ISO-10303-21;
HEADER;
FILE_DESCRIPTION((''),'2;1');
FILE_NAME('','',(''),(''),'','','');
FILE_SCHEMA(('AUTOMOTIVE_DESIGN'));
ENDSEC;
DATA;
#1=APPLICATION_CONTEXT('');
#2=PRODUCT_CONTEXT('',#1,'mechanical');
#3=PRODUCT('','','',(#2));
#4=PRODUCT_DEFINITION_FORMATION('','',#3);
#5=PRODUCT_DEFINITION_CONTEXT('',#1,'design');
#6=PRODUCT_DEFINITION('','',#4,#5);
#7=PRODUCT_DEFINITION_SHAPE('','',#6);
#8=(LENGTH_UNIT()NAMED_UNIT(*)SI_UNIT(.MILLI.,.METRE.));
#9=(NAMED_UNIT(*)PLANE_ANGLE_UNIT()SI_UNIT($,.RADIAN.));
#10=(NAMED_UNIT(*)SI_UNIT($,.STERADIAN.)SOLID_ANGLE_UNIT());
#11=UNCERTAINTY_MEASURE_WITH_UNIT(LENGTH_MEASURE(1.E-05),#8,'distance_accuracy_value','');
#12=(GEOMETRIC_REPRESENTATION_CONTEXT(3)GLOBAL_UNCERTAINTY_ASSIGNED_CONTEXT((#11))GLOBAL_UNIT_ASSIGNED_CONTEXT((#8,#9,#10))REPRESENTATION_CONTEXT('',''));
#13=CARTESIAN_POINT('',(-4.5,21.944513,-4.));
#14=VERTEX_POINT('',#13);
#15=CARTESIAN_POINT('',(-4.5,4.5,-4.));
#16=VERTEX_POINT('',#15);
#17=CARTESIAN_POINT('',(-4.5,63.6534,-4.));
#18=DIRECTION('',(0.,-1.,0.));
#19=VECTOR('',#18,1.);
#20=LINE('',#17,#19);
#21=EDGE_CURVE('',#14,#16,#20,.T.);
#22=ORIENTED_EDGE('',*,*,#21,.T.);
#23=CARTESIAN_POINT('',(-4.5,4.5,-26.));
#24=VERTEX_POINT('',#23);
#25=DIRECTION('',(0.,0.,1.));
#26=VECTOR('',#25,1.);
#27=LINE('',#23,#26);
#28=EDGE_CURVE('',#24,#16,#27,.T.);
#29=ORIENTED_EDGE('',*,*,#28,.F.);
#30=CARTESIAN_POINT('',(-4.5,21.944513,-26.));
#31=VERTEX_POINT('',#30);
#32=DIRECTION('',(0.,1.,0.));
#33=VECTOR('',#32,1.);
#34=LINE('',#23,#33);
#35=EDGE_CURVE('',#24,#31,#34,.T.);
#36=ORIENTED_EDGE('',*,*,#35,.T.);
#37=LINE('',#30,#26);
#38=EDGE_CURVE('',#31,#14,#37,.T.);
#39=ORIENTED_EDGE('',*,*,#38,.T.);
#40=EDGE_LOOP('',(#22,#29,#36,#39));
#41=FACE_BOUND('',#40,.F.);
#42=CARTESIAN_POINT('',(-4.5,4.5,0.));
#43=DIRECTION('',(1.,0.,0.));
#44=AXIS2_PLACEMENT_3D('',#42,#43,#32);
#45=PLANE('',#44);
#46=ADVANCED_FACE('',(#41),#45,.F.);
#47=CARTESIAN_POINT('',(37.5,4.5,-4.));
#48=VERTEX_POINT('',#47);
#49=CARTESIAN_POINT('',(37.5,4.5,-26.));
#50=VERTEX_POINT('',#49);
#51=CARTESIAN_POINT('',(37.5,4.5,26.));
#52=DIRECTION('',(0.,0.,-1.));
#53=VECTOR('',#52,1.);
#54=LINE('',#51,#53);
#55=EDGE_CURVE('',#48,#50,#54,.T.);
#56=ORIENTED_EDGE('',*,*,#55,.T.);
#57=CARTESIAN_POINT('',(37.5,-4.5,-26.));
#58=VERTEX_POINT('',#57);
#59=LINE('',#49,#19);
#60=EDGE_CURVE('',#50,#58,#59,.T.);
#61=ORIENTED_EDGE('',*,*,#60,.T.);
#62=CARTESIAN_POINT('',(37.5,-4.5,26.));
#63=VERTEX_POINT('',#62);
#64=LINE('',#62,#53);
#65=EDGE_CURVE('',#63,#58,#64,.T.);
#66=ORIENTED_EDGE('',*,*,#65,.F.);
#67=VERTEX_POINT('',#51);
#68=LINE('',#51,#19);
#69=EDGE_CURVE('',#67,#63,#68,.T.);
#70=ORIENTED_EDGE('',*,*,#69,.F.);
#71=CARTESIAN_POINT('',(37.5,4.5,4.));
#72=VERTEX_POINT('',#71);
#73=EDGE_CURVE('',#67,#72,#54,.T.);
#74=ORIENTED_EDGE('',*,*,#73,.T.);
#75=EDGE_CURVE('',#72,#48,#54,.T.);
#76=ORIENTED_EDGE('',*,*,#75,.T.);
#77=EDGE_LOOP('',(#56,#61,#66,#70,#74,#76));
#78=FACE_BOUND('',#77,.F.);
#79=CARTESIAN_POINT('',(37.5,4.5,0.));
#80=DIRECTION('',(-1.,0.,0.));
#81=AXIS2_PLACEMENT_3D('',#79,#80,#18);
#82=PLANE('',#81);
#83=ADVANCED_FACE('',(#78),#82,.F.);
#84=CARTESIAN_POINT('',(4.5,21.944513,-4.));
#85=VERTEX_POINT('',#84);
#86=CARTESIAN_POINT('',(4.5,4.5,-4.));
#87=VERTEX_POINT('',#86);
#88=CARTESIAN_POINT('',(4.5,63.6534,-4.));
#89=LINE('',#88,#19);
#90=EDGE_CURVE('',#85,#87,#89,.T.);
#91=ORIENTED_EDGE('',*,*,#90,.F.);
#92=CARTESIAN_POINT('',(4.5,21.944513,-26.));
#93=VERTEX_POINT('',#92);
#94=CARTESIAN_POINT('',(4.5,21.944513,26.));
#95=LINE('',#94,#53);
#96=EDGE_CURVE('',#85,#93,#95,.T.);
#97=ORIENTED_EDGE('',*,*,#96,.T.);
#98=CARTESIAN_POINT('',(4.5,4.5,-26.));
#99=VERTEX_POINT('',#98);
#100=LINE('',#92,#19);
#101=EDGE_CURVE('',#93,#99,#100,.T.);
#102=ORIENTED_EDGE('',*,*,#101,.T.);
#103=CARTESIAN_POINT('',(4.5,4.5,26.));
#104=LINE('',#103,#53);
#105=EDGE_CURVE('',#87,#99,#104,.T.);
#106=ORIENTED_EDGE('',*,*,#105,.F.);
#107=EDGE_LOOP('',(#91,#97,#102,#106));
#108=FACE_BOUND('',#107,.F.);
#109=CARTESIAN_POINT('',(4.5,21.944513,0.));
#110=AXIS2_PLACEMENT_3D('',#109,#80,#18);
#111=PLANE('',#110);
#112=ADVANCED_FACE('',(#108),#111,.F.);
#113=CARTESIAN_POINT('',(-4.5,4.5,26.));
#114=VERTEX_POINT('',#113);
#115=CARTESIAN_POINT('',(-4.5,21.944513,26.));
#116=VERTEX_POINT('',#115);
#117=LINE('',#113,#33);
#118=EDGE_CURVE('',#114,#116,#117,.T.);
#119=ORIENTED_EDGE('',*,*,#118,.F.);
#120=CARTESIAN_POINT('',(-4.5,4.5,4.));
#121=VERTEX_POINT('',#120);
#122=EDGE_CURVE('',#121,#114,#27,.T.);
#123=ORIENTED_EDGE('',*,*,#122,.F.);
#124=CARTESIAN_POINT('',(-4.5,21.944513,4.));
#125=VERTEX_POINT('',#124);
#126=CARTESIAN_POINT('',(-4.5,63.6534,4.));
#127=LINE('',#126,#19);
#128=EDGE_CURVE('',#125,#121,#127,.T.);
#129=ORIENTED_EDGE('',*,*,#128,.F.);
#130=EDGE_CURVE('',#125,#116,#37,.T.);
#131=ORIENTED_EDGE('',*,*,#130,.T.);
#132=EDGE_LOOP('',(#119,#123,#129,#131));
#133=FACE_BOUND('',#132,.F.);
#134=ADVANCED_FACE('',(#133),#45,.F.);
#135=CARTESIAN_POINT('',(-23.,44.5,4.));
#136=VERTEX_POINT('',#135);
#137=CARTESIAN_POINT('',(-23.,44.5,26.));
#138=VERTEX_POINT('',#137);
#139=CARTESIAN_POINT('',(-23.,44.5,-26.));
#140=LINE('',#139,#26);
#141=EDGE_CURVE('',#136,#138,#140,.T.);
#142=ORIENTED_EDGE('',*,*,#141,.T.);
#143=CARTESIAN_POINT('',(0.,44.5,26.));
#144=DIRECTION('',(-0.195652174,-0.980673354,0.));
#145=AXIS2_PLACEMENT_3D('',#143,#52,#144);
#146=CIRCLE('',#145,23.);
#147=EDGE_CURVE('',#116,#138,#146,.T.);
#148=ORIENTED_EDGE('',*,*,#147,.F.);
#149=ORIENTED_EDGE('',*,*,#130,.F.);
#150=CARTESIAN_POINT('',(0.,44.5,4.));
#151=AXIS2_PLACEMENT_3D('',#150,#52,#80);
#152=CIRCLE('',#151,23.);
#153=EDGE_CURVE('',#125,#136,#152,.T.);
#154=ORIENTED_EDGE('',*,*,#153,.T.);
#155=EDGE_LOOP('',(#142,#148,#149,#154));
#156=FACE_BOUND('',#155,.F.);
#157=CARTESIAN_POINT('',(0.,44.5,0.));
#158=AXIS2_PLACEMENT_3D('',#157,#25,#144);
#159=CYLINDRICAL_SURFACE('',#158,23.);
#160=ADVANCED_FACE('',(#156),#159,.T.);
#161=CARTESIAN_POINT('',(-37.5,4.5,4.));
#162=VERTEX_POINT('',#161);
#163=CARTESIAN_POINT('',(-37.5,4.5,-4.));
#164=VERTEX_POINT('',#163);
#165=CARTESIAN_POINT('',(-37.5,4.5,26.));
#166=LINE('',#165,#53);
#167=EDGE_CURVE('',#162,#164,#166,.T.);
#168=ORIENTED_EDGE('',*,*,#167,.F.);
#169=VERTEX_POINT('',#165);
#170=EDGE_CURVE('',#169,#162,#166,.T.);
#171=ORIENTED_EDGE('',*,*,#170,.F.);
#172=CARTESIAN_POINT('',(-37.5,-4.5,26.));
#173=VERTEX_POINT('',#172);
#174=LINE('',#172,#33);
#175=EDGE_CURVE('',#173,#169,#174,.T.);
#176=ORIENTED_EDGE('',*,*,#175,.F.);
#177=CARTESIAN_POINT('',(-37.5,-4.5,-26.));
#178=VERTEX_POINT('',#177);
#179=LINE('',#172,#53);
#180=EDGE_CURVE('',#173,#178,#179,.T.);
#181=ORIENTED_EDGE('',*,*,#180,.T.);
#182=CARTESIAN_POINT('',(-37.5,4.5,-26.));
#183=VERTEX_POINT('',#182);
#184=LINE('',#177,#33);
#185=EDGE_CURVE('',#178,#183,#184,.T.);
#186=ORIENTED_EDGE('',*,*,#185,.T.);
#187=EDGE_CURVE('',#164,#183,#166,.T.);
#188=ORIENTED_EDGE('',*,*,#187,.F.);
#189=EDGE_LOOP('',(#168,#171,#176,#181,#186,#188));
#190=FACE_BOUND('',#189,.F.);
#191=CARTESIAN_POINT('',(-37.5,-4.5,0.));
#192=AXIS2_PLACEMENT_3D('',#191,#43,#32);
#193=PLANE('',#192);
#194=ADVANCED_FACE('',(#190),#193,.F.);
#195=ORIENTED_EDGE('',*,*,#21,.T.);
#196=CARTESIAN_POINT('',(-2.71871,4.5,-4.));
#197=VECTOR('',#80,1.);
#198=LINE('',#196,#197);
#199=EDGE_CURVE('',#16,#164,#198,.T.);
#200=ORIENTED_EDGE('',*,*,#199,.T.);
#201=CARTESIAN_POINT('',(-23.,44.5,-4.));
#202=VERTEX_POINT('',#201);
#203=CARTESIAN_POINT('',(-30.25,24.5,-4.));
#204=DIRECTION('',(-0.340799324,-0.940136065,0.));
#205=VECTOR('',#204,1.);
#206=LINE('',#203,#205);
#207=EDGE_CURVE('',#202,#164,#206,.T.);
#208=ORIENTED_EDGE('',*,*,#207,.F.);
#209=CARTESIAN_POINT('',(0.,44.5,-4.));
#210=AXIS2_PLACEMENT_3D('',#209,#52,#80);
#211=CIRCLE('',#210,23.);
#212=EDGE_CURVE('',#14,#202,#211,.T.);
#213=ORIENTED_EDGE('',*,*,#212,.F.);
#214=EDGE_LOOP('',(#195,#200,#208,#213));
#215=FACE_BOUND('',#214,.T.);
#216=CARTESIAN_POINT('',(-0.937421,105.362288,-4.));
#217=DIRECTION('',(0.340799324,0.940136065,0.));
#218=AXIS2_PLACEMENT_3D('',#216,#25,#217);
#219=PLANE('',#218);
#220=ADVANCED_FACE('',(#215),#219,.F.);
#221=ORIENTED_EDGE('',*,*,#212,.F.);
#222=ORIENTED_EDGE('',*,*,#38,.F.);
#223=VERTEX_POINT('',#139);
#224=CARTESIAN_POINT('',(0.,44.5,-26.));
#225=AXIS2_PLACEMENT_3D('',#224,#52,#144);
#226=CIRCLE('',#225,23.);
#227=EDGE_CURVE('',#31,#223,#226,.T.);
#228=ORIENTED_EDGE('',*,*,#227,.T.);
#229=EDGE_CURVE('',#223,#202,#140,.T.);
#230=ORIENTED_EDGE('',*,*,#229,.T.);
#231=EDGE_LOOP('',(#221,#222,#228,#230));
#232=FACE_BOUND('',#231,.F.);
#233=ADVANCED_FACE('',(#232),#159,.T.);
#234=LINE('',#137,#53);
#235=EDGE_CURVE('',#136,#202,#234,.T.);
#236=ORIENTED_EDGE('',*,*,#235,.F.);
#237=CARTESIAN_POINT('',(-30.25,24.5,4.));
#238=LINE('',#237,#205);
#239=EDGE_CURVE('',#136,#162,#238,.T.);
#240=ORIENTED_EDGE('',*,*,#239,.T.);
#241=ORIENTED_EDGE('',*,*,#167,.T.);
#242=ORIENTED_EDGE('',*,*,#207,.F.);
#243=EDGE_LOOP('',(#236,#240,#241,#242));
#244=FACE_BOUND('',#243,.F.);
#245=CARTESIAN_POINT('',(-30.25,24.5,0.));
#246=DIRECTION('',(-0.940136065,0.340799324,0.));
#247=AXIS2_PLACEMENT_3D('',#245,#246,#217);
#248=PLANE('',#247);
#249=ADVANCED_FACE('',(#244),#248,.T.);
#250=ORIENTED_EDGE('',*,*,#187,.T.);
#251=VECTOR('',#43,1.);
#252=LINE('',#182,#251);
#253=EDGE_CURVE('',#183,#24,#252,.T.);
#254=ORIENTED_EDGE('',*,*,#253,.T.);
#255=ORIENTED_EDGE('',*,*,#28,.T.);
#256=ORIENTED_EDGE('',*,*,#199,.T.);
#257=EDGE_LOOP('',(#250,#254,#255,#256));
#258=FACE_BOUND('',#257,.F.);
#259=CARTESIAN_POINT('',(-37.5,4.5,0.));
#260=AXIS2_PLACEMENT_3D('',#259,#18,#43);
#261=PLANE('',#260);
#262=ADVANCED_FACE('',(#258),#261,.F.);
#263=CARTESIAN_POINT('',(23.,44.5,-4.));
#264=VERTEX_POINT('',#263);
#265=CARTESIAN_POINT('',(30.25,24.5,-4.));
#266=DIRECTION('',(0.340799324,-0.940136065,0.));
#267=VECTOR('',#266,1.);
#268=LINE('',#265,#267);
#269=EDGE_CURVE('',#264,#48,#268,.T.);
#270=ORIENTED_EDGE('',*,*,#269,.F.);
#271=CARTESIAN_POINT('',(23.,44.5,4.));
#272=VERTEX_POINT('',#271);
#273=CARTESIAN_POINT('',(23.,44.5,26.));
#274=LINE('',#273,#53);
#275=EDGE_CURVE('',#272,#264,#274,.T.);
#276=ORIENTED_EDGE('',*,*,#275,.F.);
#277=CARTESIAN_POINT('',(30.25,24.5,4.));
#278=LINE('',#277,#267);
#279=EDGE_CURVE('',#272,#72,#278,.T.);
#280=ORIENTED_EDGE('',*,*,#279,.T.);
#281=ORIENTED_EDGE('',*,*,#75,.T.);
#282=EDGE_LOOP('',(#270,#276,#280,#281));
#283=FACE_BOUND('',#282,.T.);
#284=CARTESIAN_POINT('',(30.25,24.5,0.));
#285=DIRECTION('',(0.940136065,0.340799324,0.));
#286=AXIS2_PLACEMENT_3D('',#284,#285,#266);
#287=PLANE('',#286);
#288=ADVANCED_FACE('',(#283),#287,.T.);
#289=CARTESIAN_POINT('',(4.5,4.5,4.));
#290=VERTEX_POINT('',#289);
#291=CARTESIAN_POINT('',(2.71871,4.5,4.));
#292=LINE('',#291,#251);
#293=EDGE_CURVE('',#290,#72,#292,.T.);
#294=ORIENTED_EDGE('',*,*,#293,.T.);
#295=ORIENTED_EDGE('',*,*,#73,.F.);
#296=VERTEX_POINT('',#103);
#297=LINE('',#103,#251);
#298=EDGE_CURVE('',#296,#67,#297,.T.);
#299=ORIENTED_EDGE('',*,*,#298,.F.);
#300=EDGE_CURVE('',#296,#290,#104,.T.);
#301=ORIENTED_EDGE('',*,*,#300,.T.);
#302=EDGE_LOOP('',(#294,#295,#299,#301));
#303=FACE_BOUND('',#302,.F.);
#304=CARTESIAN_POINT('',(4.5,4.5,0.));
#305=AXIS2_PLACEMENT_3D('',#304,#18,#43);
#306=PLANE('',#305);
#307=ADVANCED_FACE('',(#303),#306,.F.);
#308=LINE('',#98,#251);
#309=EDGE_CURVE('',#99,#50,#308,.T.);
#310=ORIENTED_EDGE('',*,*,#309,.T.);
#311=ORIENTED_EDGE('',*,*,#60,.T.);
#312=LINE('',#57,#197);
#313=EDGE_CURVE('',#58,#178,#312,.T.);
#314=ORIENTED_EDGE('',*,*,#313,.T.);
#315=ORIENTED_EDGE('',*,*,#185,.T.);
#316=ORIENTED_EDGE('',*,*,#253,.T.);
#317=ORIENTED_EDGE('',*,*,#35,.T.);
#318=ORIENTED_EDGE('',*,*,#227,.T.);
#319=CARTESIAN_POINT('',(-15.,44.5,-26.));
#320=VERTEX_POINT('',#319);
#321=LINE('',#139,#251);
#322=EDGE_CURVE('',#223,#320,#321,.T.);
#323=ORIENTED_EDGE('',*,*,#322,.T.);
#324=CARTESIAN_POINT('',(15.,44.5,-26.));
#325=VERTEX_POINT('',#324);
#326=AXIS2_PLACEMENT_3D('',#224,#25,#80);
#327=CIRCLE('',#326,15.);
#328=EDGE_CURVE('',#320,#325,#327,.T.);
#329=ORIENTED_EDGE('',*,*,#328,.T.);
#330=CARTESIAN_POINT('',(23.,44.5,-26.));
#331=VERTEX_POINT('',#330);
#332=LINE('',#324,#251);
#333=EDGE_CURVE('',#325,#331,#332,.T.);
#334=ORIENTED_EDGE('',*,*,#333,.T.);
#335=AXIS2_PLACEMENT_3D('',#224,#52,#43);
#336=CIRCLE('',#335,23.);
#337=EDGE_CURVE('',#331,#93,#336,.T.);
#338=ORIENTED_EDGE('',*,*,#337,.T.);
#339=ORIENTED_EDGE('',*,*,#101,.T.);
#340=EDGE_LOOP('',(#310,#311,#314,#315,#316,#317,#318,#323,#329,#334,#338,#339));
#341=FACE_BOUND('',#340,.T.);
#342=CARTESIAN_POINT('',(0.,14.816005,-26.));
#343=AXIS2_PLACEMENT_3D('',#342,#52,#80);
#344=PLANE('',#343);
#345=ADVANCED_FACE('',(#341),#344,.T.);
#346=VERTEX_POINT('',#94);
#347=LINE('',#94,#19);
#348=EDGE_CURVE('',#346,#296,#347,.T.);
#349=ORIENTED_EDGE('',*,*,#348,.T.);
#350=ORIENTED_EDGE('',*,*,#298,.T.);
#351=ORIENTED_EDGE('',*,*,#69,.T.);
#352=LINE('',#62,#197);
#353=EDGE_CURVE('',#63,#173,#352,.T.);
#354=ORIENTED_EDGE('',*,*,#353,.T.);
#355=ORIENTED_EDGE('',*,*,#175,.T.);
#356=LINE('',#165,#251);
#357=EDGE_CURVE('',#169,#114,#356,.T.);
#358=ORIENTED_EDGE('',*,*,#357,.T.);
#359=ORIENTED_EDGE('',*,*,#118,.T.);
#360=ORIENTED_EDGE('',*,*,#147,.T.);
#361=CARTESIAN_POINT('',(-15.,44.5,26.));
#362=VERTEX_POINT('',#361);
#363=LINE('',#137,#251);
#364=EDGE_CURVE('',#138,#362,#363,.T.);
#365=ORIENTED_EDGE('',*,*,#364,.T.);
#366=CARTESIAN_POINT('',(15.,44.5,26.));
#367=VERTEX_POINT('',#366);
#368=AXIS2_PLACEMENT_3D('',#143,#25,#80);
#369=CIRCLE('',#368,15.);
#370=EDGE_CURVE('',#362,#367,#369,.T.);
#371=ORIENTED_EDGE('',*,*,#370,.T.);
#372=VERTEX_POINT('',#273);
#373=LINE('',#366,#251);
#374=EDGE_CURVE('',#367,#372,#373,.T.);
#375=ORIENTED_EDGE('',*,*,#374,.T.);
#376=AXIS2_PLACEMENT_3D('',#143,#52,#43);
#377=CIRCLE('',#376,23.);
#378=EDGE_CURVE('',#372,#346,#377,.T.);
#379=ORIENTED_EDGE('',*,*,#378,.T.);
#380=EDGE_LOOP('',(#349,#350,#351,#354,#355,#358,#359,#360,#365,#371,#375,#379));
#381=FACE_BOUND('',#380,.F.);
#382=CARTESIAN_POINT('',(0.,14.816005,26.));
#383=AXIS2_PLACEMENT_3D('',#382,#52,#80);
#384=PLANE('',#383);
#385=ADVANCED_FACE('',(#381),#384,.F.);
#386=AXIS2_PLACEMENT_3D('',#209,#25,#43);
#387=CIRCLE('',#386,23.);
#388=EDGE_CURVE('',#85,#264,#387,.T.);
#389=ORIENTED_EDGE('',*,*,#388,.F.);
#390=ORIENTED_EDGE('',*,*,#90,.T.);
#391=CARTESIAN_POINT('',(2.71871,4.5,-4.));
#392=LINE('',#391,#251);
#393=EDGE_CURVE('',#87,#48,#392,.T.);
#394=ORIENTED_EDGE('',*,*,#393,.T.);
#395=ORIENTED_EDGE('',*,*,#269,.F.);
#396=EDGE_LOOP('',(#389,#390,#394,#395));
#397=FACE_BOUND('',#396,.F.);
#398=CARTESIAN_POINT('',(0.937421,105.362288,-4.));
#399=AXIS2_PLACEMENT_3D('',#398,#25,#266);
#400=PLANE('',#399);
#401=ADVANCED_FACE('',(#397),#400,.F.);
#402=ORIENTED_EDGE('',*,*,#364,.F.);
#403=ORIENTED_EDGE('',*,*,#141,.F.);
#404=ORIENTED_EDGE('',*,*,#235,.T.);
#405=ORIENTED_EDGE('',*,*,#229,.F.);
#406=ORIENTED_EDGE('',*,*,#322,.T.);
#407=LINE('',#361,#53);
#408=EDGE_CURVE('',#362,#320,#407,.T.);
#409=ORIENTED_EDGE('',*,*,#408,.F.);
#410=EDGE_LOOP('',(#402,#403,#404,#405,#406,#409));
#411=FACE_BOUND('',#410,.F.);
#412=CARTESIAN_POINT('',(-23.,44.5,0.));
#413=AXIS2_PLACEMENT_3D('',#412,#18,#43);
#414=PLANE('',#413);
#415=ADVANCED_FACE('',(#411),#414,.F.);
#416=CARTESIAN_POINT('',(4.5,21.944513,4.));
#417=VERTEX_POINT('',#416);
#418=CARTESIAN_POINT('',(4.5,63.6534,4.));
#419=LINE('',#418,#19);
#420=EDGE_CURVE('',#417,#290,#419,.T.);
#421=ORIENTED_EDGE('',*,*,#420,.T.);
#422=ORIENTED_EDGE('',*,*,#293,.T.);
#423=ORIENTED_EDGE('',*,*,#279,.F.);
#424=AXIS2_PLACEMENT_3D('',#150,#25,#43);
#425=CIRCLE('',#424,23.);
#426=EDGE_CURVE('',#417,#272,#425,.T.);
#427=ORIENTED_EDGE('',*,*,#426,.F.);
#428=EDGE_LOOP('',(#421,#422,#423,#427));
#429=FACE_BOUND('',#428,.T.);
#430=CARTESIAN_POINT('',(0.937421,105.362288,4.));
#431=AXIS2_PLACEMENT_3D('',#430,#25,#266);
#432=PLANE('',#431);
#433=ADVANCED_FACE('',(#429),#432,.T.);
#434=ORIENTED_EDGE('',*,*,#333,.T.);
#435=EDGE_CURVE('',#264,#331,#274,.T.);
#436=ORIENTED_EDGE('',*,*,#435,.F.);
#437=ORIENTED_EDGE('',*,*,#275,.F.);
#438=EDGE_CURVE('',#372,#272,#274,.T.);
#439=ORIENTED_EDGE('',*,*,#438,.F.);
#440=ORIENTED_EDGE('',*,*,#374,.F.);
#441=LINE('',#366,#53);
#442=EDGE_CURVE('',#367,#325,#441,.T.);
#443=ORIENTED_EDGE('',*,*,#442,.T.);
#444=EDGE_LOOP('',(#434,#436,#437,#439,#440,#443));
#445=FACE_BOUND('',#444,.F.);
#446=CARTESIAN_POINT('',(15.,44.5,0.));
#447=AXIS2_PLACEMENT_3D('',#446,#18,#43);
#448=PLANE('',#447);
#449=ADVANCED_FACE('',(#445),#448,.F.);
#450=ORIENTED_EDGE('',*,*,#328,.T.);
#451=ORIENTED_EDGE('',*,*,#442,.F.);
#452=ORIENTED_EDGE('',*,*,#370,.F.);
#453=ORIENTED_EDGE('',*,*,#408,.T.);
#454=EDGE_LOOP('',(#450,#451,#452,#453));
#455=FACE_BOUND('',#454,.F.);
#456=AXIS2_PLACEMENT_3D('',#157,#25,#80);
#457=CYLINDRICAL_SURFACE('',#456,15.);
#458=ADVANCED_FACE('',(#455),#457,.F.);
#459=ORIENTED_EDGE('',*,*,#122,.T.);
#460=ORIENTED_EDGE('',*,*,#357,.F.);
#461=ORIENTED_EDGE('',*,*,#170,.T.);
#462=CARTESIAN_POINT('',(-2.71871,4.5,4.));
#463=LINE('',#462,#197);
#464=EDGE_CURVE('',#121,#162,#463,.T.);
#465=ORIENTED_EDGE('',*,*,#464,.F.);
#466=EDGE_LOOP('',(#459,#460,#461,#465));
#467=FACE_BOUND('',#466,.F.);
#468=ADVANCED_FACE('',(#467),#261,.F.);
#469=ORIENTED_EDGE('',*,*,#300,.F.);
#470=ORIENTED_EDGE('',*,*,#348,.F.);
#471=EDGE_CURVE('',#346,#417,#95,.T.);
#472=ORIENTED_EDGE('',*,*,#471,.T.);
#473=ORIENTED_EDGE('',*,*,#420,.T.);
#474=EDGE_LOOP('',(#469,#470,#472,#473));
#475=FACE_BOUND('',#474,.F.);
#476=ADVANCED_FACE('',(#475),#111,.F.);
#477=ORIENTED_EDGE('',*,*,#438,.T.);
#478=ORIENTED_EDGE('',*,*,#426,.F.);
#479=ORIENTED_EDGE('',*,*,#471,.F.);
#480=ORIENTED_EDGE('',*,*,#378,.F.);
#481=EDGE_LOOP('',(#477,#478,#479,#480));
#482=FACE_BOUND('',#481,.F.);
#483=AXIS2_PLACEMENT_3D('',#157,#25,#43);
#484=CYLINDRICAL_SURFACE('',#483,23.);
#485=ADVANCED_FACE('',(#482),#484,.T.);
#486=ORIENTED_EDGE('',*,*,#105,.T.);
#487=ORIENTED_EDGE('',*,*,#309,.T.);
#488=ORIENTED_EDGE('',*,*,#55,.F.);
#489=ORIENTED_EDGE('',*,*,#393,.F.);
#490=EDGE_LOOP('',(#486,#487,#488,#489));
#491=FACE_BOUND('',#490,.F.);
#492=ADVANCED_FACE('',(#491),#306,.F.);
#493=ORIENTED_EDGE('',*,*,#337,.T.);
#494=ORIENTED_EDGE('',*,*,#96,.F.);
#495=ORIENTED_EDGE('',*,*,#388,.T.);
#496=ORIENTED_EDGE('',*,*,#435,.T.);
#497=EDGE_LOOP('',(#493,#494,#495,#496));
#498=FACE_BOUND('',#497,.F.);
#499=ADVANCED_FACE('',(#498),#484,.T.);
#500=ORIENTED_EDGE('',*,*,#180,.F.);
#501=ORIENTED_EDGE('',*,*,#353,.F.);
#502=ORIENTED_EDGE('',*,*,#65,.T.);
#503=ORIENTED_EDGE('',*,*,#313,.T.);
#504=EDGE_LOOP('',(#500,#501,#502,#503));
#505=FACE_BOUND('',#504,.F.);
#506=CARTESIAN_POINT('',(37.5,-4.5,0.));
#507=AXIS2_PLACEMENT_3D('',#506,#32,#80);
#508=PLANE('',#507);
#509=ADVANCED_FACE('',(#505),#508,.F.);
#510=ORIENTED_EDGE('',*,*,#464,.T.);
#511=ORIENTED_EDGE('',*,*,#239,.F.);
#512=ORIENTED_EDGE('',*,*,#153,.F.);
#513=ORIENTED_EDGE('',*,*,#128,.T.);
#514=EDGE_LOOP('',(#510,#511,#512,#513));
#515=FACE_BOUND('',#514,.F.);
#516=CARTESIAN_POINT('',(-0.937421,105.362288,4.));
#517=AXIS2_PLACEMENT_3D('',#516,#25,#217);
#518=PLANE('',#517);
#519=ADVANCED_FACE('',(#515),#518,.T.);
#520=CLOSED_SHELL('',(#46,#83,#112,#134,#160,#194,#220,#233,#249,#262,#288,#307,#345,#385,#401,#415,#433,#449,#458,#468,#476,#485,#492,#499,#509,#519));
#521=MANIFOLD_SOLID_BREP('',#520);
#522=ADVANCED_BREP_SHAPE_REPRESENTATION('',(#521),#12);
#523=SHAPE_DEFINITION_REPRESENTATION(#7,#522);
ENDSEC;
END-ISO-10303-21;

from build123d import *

# Parameters (mm, degrees)
BOSS_EXTRUDE1_DEPTH = 26
RIB1_REACH          = 65.738
SKETCH3_WALL_W      = 172.022520638
SKETCH3_WALL_H      = 8


with BuildPart() as part:
    # Sketch2 → Boss-Extrude1 (new, symmetric)
    with BuildSketch(Plane.XY):
        with BuildLine():
            Line((-23, 44.5), (-15, 44.5))
            ThreePointArc((-15, 44.5), (0, 29.5), (15, 44.5))
            Line((15, 44.5), (23, 44.5))
            ThreePointArc((23, 44.5), (17.783419244, 29.914047854), (4.5, 21.944512863))
            Line((4.5, 21.944512863), (4.5, 4.5))
            Line((4.5, 4.5), (37.5, 4.5))
            Line((37.5, 4.5), (37.5, -4.5))
            Line((37.5, -4.5), (-37.5, -4.5))
            Line((-37.5, -4.5), (-37.5, 4.5))
            Line((-37.5, 4.5), (-4.5, 4.5))
            Line((-4.5, 4.5), (-4.5, 21.944512863))
            ThreePointArc((-4.5, 21.944512863), (-17.783419244, 29.914047854), (-23, 44.5))
        make_face()
    extrude(amount=BOSS_EXTRUDE1_DEPTH, both=True)

    # Sketch3 wall → Rib1 (add, up to next)
    with BuildSketch(Plane(origin=(30.25, 24.5, 0), x_dir=(0.340799323621, -0.940136065162, 0), z_dir=(0.940136065162, 0.340799323621, 0)), mode=Mode.PRIVATE) as rib1_sk1:
        Rectangle(SKETCH3_WALL_W, SKETCH3_WALL_H)
    rib1_tool1 = extrude(rib1_sk1.sketch, amount=-RIB1_REACH, mode=Mode.PRIVATE) - part.part
    rib1 = rib1_tool1.solids().sort_by_distance((30.25, 24.5, 0))[0]
    add(rib1)

    # Mirror1: Rib1 across plane
    add(rib1.mirror(Plane(origin=(0, 0, 0), x_dir=(0, 0, 1), z_dir=(1, 0, 0))))


solid = part.part
